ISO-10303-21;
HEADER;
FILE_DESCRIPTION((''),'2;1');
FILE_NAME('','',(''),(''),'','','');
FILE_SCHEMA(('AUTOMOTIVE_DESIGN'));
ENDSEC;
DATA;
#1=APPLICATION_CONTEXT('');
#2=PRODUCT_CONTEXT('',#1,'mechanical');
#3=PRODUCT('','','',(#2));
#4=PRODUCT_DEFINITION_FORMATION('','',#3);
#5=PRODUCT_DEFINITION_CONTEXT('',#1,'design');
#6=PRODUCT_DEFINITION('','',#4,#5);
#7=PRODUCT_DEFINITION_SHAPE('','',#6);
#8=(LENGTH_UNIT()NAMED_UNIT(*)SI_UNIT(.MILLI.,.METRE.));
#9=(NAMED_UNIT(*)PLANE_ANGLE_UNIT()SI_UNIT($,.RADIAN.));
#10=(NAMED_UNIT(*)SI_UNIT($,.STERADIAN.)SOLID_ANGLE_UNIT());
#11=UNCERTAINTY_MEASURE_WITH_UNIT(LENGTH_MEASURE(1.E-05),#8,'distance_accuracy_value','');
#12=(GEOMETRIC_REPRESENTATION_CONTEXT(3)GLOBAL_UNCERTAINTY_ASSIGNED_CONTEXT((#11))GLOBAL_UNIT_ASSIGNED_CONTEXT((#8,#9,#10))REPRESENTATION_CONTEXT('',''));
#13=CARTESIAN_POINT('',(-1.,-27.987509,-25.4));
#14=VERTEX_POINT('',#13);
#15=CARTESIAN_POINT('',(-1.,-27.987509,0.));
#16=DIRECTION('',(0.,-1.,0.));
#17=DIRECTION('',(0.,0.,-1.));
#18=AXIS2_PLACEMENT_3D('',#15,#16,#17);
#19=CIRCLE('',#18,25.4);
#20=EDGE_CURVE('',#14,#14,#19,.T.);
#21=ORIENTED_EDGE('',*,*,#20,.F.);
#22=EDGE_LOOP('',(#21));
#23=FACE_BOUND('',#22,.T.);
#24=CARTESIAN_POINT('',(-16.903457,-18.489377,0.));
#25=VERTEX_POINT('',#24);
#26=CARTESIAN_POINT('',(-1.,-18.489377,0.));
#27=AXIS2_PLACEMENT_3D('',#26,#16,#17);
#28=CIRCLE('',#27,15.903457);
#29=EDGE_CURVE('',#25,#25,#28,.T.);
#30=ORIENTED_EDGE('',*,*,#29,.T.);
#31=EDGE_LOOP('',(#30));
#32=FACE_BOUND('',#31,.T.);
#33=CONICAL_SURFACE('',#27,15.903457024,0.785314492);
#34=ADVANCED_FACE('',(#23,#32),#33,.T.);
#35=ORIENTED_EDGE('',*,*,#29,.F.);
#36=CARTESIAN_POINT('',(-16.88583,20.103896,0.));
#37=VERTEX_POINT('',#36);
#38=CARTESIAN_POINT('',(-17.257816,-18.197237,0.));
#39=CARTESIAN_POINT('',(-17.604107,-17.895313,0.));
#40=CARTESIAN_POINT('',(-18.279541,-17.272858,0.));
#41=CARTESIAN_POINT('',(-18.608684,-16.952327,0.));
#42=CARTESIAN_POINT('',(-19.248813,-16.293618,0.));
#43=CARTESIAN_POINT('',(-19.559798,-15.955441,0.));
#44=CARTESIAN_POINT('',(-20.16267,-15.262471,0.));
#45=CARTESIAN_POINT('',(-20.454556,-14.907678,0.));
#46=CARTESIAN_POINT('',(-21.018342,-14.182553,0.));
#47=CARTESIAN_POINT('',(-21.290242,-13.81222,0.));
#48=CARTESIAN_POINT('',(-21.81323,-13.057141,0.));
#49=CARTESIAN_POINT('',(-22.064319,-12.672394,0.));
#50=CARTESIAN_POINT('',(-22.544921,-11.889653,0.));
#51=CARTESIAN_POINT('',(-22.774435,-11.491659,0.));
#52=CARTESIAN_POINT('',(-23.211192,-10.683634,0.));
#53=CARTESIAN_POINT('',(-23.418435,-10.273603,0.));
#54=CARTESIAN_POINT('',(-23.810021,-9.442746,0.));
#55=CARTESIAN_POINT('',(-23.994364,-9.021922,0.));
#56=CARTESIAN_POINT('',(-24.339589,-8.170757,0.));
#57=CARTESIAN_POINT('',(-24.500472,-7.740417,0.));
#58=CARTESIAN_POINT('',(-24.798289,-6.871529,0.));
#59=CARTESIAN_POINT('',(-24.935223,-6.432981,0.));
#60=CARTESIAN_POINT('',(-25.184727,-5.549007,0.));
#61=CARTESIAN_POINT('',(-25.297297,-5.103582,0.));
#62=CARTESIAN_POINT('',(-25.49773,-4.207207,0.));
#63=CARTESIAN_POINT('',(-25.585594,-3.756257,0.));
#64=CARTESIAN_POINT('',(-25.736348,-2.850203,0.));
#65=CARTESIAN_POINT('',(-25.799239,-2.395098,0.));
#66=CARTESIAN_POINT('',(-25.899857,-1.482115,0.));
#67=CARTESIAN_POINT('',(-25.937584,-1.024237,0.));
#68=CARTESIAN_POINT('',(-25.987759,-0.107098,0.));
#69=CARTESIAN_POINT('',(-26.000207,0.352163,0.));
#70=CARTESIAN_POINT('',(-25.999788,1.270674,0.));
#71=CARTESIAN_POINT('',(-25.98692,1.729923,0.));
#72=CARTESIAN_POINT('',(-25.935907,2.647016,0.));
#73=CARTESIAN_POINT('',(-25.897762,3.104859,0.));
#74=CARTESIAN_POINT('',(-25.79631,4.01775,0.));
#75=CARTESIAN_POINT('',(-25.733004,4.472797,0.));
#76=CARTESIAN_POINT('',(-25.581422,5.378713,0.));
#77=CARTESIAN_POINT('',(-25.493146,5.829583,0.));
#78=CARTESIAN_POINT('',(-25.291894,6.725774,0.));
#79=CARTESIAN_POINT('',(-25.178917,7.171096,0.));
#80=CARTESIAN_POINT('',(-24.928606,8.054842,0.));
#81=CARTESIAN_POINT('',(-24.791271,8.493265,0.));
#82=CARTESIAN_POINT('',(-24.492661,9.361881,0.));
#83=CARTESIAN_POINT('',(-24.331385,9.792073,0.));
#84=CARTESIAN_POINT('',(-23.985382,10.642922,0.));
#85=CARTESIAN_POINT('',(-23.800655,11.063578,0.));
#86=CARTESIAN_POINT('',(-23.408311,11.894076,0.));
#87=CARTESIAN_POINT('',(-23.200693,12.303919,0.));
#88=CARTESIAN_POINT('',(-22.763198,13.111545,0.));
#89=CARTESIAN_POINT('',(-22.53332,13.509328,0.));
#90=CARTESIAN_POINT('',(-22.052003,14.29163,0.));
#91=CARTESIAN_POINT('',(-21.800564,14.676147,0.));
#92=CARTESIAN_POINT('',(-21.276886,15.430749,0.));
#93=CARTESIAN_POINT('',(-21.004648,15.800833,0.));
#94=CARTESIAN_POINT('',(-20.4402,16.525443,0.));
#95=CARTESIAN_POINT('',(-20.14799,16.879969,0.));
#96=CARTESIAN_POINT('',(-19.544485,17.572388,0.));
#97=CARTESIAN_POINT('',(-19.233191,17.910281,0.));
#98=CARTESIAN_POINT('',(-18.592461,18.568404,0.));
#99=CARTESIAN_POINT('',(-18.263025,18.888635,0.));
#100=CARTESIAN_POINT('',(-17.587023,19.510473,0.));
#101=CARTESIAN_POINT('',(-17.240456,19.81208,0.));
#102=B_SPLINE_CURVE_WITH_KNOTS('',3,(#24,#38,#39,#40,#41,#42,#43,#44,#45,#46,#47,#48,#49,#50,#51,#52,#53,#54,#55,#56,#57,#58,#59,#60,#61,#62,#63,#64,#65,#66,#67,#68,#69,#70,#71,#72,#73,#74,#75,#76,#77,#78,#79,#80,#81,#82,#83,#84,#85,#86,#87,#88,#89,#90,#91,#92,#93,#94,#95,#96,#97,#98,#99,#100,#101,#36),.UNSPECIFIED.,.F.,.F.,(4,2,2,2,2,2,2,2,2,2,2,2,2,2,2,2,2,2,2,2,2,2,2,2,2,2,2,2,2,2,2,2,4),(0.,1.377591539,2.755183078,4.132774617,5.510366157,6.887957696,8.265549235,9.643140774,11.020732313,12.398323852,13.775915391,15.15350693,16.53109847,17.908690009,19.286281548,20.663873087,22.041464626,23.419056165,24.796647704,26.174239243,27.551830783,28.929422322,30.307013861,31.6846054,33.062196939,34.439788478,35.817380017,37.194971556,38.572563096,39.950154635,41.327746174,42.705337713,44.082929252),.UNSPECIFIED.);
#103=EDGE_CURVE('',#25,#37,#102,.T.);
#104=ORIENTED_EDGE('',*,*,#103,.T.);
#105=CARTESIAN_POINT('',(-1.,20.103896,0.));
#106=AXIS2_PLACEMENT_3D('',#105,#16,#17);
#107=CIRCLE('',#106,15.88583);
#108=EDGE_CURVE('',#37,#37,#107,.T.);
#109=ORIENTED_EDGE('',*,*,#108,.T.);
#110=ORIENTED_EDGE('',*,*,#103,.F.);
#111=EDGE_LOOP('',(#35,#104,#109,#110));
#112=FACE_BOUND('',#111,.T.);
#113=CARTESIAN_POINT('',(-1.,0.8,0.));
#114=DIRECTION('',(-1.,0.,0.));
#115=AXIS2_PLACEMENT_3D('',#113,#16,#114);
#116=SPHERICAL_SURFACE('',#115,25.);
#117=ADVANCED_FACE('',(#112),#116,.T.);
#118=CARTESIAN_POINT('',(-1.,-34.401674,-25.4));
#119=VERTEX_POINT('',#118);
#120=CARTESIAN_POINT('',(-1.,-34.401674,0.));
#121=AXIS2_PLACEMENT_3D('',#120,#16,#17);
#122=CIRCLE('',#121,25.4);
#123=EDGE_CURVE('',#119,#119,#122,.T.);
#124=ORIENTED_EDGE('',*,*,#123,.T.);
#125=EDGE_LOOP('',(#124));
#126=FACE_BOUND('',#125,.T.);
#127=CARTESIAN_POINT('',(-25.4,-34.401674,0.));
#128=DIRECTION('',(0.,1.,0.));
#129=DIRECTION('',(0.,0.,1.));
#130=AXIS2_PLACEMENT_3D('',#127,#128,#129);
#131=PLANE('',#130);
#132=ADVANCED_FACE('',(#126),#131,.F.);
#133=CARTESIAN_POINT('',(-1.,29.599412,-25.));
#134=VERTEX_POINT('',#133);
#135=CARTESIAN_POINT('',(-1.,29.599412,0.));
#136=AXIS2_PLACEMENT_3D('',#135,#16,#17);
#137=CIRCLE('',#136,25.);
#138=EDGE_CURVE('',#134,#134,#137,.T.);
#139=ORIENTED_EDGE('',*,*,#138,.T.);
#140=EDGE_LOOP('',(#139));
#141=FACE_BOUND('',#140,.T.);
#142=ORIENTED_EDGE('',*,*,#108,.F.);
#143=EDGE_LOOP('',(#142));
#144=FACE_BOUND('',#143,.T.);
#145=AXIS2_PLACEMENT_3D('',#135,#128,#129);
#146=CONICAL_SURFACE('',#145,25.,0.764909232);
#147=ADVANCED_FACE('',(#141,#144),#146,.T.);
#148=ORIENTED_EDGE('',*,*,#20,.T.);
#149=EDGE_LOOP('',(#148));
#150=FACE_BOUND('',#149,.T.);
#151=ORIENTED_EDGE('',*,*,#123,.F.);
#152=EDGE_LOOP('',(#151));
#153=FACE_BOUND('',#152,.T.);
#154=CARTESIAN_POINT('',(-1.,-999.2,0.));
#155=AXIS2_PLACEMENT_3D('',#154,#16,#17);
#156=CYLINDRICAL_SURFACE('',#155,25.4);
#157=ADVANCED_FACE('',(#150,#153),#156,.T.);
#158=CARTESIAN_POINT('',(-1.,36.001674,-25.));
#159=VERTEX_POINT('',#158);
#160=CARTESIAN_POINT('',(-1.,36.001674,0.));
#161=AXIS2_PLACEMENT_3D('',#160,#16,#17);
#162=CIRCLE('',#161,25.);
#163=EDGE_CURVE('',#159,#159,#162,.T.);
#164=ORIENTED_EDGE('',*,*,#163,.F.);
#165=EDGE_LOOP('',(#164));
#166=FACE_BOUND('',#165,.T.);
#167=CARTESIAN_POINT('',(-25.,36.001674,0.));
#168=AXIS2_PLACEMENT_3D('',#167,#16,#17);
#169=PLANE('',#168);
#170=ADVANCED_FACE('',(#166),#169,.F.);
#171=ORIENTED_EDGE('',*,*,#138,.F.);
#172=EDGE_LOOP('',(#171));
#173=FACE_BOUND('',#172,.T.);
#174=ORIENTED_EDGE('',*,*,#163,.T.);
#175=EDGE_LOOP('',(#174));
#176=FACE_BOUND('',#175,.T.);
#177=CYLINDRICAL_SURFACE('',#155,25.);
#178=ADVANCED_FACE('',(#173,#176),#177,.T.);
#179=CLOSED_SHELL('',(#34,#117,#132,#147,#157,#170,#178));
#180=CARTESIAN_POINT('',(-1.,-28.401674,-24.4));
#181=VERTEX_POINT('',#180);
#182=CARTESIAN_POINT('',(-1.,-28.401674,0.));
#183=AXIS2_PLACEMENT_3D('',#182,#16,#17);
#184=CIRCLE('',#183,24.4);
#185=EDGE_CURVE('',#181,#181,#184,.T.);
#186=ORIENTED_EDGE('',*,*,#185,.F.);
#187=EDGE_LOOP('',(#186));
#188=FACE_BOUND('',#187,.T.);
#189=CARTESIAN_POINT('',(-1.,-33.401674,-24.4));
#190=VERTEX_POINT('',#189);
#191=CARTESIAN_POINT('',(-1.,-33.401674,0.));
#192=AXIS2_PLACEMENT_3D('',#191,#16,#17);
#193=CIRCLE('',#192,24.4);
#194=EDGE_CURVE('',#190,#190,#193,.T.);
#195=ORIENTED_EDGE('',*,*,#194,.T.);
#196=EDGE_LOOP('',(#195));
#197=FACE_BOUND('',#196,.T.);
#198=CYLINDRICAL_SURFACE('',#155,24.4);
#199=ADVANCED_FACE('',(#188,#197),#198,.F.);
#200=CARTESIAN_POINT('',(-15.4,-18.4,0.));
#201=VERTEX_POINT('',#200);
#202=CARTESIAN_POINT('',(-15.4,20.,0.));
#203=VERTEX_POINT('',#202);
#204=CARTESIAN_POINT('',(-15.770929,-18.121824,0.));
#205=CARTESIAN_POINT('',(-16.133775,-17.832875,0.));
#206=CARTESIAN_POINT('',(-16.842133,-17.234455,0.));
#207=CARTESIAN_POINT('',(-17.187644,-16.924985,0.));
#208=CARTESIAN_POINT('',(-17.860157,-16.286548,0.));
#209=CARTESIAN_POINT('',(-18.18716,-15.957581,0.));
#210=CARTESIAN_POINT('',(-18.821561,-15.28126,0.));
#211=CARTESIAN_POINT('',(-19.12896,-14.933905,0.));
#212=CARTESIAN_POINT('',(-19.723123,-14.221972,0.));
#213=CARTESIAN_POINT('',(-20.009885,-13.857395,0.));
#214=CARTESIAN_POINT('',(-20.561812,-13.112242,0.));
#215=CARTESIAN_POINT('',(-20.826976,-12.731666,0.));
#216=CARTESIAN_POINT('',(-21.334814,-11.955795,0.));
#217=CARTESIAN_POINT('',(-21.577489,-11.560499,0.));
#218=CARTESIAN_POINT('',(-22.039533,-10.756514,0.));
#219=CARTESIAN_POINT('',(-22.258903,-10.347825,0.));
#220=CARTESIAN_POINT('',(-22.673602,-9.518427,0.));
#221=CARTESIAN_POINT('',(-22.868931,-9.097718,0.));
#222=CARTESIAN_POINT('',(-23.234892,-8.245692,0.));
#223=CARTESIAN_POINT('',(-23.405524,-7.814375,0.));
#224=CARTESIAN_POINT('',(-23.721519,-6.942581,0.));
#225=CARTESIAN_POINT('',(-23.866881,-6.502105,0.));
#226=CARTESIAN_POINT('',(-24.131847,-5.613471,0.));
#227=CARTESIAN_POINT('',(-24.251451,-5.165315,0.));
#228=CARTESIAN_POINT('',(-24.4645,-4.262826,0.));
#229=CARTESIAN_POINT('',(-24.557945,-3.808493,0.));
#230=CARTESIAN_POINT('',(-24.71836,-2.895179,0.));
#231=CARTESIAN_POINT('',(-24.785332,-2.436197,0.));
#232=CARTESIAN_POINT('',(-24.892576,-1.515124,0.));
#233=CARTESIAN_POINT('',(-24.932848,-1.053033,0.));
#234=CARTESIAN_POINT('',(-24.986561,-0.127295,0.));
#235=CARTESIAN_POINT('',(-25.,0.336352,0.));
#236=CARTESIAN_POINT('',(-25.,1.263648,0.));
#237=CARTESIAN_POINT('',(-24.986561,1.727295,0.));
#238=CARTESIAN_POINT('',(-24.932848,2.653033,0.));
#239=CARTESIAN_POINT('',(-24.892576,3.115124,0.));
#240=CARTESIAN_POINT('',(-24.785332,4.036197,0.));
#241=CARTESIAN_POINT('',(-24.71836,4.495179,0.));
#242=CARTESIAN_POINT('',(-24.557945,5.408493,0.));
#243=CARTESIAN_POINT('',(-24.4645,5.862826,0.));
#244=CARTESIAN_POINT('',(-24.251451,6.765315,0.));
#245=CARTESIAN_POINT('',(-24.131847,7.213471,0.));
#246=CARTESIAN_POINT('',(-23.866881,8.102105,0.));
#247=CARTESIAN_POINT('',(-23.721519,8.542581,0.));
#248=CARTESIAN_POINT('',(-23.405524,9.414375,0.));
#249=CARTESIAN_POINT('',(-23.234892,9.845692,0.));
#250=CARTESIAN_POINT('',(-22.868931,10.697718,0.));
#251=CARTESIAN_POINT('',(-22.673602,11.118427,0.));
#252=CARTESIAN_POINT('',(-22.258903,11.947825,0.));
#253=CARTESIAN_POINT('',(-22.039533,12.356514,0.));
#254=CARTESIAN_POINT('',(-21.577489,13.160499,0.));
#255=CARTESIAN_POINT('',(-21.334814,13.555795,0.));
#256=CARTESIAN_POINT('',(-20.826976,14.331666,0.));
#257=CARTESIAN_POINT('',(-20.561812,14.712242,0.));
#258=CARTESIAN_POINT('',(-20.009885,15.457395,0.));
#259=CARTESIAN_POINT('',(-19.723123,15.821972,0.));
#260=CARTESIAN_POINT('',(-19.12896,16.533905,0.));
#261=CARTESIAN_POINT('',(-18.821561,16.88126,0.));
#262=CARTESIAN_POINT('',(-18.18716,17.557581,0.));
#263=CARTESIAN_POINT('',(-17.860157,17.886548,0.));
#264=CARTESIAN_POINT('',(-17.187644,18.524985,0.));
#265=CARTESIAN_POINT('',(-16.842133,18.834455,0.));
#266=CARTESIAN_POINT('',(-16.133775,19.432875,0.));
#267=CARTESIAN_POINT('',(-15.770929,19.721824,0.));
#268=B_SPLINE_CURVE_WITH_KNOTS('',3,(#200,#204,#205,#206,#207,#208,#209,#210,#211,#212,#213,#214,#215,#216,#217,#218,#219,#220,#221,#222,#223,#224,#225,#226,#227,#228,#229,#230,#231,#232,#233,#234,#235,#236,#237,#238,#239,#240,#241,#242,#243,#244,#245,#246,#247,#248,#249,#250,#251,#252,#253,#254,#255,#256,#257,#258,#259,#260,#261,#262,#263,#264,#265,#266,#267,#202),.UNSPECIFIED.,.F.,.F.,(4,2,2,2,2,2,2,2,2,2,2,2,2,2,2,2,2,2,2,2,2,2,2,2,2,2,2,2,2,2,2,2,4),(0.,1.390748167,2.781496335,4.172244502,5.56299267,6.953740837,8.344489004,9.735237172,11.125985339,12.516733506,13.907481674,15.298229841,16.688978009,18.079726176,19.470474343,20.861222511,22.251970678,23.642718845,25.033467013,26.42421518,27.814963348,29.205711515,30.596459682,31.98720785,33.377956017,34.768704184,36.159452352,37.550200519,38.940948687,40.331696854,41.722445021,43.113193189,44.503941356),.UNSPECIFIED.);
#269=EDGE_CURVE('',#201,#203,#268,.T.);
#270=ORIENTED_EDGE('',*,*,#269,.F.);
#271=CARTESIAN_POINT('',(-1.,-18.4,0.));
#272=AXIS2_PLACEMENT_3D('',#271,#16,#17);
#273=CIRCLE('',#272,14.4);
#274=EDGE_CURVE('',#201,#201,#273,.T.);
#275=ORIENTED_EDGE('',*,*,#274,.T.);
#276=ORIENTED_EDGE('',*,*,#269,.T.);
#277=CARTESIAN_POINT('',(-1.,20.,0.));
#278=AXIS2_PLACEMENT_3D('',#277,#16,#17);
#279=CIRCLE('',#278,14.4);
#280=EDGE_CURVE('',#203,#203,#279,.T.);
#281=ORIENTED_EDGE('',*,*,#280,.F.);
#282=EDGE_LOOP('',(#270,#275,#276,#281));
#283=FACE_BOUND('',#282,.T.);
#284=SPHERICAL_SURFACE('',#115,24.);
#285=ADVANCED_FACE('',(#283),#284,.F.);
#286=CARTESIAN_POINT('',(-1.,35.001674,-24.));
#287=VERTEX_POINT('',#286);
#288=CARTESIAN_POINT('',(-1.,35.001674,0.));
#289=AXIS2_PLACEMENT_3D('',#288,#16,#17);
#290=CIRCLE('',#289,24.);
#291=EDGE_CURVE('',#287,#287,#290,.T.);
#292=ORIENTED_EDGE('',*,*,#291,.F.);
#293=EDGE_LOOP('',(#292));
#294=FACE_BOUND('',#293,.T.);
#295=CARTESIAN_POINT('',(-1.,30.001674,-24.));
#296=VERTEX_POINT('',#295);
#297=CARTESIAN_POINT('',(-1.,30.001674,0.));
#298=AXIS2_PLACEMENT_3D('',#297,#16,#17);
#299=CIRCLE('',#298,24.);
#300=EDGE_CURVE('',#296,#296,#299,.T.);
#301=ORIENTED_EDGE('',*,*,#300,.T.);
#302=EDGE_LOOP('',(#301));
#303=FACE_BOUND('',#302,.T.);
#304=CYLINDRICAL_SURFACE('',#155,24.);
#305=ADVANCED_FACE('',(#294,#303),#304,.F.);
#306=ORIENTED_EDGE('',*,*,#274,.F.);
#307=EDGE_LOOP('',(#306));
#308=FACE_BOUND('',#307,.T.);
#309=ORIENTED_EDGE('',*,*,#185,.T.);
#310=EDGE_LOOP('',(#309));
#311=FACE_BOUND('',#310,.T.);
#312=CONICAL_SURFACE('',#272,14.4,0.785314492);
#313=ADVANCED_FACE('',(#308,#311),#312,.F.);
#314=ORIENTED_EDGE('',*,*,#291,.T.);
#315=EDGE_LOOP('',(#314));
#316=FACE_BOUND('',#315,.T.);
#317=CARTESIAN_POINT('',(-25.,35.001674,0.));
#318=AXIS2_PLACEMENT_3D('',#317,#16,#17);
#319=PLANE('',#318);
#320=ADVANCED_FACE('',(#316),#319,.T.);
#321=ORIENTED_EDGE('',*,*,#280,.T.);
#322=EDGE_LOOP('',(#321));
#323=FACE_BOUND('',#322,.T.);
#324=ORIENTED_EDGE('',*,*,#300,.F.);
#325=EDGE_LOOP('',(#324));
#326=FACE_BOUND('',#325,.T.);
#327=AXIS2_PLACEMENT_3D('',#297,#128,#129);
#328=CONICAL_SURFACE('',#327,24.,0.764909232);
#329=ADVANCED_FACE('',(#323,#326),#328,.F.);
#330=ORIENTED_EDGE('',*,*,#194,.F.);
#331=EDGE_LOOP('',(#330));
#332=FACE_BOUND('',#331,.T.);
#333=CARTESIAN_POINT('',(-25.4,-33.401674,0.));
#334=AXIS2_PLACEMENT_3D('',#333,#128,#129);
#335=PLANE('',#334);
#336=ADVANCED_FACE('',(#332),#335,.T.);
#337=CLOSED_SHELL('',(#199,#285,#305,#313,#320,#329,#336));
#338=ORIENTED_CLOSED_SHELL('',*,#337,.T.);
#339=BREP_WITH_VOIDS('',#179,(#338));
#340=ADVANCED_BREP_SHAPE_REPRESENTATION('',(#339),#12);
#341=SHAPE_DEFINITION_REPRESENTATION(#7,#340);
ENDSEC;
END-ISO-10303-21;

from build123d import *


with BuildPart() as part:
    # 草图1 → 旋转-薄壁3 (revolve)
    with BuildSketch(Plane.XY, mode=Mode.PRIVATE) as revolve_3_sk:
        with BuildLine():
            Line((-1, -33.401673559), (-25.4, -33.401673559))
            Line((-25.4, -33.401673559), (-25.4, -28.401673559))
            Line((-25.4, -28.401673559), (-15.4, -18.4))
            ThreePointArc((-15.4, -18.4), (-25, 0.8), (-15.4, 20))
            Line((-15.4, 20), (-25, 30.001673559))
            Line((-25, 30.001673559), (-25, 35.001673559))
            Line((-25, 35.001673559), (-1, 35.001673559))
            Line((-1, 35.001673559), (-1, 36.001673559))
            Line((-1, 36.001673559), (-26, 36.001673559))
            Line((-26, 36.001673559), (-26, 29.599411836))
            Line((-26, 29.599411836), (-16.885830121, 20.103896015))
            ThreePointArc((-16.885830121, 20.103896015), (-25.999997392, 0.811418377), (-16.903457024, -18.489376731))
            Line((-16.903457024, -18.489376731), (-26.4, -27.987509009))
            Line((-26.4, -27.987509009), (-26.4, -34.401673559))
            Line((-26.4, -34.401673559), (-1, -34.401673559))
            Line((-1, -34.401673559), (-1, -33.401673559))
        make_face()
    revolve(revolve_3_sk.sketch.rotate(Axis((-1, -999.2, 0), (0, 1, 0)), 270), axis=Axis((-1, -999.2, 0), (0, 1, 0)))


solid = part.part
